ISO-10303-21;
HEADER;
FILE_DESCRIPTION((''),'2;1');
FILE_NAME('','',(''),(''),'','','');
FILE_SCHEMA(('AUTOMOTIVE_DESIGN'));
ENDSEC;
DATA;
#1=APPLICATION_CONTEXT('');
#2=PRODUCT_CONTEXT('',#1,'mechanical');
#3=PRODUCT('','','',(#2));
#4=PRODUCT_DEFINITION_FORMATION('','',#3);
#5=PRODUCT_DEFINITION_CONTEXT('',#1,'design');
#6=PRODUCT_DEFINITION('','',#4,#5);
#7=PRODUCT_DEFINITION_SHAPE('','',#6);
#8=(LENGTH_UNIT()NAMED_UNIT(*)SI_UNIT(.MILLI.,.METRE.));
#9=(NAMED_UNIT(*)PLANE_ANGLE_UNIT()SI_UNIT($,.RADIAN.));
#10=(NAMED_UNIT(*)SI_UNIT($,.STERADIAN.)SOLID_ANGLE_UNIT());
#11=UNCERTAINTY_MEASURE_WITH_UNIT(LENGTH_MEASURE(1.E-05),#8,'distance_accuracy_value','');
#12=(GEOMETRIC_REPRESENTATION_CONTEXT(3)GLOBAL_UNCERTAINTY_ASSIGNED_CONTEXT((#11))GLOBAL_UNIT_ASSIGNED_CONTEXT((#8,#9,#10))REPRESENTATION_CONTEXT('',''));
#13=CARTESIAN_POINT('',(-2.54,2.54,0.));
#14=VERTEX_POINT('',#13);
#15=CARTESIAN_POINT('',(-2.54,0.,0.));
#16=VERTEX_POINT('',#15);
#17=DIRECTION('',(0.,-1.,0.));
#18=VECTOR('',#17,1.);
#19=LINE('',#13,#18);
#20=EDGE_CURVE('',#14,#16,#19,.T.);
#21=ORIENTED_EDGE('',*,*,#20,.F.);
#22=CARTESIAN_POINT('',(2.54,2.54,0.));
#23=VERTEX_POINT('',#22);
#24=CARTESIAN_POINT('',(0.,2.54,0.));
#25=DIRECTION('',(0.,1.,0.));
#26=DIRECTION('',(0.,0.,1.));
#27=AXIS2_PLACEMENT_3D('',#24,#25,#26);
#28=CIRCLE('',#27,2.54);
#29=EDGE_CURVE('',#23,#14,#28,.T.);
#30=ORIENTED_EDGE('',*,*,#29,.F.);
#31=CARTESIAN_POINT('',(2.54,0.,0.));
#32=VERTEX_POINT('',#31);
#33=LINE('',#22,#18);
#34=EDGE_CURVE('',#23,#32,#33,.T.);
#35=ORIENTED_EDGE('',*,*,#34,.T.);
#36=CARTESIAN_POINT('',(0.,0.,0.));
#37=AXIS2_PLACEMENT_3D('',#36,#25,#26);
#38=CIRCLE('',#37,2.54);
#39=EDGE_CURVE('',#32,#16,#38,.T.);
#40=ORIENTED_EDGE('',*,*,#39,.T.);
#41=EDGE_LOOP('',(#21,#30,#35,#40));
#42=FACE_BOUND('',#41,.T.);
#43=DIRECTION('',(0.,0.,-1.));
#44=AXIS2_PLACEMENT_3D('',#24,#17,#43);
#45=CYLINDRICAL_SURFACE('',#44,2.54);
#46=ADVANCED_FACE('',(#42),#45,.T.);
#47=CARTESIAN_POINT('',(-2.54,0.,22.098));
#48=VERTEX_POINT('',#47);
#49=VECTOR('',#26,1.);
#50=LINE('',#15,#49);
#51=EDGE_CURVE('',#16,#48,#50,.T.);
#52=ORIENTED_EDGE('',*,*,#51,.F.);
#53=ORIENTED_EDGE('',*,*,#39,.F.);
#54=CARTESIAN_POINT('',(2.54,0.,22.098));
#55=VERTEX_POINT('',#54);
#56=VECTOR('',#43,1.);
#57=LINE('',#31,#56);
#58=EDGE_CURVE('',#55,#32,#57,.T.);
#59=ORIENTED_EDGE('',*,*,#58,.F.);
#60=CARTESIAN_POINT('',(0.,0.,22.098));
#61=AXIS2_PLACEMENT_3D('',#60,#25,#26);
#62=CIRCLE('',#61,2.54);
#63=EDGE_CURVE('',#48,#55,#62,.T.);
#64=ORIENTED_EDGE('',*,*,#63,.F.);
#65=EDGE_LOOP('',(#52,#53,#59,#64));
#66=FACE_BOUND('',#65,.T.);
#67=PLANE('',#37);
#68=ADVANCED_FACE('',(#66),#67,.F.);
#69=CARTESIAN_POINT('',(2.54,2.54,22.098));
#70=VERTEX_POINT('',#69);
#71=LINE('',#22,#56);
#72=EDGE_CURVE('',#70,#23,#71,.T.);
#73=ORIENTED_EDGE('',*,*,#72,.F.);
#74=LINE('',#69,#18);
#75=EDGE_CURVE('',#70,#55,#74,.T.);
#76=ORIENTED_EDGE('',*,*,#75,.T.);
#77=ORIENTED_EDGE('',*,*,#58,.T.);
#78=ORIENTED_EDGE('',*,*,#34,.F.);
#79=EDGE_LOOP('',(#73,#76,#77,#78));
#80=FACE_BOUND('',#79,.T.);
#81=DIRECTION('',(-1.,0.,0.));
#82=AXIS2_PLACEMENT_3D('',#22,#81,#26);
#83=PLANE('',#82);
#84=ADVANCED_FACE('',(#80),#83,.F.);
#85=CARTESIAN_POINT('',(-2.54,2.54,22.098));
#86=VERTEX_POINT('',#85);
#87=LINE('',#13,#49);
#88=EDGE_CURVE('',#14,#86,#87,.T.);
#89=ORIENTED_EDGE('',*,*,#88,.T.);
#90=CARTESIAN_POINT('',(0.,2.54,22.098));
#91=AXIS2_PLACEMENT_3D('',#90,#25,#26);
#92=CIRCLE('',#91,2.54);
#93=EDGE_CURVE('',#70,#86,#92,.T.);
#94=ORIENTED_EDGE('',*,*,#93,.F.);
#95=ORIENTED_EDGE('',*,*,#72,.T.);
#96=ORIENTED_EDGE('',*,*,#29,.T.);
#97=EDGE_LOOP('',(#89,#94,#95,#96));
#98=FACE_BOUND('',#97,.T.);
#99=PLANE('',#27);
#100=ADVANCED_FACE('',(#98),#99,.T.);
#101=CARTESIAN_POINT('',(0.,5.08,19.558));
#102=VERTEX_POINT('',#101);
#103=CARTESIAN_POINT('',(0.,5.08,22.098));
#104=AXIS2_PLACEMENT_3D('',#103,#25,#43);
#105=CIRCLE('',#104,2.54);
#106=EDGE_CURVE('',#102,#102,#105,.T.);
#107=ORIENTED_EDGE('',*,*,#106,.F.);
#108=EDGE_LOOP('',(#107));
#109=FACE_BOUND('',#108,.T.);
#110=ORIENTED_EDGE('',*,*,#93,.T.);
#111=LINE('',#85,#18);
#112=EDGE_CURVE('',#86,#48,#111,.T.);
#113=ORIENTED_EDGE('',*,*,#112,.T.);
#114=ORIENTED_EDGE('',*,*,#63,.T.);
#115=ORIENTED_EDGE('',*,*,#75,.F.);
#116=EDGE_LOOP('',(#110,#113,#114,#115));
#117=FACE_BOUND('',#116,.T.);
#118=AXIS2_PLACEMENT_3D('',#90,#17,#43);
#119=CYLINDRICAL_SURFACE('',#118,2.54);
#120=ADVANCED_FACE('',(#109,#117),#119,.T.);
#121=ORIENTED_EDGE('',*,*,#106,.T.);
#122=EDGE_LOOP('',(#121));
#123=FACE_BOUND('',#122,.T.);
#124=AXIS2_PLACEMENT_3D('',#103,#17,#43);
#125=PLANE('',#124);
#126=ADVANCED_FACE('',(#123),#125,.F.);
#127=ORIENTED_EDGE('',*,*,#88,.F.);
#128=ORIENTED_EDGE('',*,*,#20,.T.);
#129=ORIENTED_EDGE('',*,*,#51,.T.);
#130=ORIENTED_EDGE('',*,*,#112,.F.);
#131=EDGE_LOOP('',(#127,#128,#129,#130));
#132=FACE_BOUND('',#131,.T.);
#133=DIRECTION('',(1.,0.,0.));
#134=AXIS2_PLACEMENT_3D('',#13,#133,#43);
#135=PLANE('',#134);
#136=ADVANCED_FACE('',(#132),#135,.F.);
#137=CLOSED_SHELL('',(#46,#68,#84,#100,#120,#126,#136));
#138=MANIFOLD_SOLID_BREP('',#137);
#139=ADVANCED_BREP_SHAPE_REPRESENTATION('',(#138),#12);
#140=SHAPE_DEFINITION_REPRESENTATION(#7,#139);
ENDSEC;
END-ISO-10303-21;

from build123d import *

# Parameters (mm, degrees)
BOSS_EXTRUDE1_DEPTH = 2.54
BOSS_EXTRUDE2_DEPTH = 2.54


with BuildPart() as part:
    # Sketch1 → Boss-Extrude1 (new body)
    with BuildSketch(Plane(origin=(0, 0, 0), x_dir=(1, 0, 0), z_dir=(0, 1, 0))):
        with BuildLine():
            Line((2.54, 0), (2.54, -22.098))
            ThreePointArc((2.54, -22.098), (0, -24.638), (-2.54, -22.098))
            Line((-2.54, -22.098), (-2.54, 0))
            ThreePointArc((-2.54, 0), (0, 2.54), (2.54, 0))
        make_face()
    extrude(amount=BOSS_EXTRUDE1_DEPTH)

    # Sketch2 → Boss-Extrude2 (add)
    with BuildSketch(Plane(origin=(0, 2.54, 0), x_dir=(1, 0, 0), z_dir=(0, 1, 0))):
        with BuildLine():
            ThreePointArc((-2.54, -22.098), (0, -24.638), (2.54, -22.098))
            ThreePointArc((2.54, -22.098), (0, -19.558), (-2.54, -22.098))
        make_face()
    extrude(amount=BOSS_EXTRUDE2_DEPTH)


solid = part.part
